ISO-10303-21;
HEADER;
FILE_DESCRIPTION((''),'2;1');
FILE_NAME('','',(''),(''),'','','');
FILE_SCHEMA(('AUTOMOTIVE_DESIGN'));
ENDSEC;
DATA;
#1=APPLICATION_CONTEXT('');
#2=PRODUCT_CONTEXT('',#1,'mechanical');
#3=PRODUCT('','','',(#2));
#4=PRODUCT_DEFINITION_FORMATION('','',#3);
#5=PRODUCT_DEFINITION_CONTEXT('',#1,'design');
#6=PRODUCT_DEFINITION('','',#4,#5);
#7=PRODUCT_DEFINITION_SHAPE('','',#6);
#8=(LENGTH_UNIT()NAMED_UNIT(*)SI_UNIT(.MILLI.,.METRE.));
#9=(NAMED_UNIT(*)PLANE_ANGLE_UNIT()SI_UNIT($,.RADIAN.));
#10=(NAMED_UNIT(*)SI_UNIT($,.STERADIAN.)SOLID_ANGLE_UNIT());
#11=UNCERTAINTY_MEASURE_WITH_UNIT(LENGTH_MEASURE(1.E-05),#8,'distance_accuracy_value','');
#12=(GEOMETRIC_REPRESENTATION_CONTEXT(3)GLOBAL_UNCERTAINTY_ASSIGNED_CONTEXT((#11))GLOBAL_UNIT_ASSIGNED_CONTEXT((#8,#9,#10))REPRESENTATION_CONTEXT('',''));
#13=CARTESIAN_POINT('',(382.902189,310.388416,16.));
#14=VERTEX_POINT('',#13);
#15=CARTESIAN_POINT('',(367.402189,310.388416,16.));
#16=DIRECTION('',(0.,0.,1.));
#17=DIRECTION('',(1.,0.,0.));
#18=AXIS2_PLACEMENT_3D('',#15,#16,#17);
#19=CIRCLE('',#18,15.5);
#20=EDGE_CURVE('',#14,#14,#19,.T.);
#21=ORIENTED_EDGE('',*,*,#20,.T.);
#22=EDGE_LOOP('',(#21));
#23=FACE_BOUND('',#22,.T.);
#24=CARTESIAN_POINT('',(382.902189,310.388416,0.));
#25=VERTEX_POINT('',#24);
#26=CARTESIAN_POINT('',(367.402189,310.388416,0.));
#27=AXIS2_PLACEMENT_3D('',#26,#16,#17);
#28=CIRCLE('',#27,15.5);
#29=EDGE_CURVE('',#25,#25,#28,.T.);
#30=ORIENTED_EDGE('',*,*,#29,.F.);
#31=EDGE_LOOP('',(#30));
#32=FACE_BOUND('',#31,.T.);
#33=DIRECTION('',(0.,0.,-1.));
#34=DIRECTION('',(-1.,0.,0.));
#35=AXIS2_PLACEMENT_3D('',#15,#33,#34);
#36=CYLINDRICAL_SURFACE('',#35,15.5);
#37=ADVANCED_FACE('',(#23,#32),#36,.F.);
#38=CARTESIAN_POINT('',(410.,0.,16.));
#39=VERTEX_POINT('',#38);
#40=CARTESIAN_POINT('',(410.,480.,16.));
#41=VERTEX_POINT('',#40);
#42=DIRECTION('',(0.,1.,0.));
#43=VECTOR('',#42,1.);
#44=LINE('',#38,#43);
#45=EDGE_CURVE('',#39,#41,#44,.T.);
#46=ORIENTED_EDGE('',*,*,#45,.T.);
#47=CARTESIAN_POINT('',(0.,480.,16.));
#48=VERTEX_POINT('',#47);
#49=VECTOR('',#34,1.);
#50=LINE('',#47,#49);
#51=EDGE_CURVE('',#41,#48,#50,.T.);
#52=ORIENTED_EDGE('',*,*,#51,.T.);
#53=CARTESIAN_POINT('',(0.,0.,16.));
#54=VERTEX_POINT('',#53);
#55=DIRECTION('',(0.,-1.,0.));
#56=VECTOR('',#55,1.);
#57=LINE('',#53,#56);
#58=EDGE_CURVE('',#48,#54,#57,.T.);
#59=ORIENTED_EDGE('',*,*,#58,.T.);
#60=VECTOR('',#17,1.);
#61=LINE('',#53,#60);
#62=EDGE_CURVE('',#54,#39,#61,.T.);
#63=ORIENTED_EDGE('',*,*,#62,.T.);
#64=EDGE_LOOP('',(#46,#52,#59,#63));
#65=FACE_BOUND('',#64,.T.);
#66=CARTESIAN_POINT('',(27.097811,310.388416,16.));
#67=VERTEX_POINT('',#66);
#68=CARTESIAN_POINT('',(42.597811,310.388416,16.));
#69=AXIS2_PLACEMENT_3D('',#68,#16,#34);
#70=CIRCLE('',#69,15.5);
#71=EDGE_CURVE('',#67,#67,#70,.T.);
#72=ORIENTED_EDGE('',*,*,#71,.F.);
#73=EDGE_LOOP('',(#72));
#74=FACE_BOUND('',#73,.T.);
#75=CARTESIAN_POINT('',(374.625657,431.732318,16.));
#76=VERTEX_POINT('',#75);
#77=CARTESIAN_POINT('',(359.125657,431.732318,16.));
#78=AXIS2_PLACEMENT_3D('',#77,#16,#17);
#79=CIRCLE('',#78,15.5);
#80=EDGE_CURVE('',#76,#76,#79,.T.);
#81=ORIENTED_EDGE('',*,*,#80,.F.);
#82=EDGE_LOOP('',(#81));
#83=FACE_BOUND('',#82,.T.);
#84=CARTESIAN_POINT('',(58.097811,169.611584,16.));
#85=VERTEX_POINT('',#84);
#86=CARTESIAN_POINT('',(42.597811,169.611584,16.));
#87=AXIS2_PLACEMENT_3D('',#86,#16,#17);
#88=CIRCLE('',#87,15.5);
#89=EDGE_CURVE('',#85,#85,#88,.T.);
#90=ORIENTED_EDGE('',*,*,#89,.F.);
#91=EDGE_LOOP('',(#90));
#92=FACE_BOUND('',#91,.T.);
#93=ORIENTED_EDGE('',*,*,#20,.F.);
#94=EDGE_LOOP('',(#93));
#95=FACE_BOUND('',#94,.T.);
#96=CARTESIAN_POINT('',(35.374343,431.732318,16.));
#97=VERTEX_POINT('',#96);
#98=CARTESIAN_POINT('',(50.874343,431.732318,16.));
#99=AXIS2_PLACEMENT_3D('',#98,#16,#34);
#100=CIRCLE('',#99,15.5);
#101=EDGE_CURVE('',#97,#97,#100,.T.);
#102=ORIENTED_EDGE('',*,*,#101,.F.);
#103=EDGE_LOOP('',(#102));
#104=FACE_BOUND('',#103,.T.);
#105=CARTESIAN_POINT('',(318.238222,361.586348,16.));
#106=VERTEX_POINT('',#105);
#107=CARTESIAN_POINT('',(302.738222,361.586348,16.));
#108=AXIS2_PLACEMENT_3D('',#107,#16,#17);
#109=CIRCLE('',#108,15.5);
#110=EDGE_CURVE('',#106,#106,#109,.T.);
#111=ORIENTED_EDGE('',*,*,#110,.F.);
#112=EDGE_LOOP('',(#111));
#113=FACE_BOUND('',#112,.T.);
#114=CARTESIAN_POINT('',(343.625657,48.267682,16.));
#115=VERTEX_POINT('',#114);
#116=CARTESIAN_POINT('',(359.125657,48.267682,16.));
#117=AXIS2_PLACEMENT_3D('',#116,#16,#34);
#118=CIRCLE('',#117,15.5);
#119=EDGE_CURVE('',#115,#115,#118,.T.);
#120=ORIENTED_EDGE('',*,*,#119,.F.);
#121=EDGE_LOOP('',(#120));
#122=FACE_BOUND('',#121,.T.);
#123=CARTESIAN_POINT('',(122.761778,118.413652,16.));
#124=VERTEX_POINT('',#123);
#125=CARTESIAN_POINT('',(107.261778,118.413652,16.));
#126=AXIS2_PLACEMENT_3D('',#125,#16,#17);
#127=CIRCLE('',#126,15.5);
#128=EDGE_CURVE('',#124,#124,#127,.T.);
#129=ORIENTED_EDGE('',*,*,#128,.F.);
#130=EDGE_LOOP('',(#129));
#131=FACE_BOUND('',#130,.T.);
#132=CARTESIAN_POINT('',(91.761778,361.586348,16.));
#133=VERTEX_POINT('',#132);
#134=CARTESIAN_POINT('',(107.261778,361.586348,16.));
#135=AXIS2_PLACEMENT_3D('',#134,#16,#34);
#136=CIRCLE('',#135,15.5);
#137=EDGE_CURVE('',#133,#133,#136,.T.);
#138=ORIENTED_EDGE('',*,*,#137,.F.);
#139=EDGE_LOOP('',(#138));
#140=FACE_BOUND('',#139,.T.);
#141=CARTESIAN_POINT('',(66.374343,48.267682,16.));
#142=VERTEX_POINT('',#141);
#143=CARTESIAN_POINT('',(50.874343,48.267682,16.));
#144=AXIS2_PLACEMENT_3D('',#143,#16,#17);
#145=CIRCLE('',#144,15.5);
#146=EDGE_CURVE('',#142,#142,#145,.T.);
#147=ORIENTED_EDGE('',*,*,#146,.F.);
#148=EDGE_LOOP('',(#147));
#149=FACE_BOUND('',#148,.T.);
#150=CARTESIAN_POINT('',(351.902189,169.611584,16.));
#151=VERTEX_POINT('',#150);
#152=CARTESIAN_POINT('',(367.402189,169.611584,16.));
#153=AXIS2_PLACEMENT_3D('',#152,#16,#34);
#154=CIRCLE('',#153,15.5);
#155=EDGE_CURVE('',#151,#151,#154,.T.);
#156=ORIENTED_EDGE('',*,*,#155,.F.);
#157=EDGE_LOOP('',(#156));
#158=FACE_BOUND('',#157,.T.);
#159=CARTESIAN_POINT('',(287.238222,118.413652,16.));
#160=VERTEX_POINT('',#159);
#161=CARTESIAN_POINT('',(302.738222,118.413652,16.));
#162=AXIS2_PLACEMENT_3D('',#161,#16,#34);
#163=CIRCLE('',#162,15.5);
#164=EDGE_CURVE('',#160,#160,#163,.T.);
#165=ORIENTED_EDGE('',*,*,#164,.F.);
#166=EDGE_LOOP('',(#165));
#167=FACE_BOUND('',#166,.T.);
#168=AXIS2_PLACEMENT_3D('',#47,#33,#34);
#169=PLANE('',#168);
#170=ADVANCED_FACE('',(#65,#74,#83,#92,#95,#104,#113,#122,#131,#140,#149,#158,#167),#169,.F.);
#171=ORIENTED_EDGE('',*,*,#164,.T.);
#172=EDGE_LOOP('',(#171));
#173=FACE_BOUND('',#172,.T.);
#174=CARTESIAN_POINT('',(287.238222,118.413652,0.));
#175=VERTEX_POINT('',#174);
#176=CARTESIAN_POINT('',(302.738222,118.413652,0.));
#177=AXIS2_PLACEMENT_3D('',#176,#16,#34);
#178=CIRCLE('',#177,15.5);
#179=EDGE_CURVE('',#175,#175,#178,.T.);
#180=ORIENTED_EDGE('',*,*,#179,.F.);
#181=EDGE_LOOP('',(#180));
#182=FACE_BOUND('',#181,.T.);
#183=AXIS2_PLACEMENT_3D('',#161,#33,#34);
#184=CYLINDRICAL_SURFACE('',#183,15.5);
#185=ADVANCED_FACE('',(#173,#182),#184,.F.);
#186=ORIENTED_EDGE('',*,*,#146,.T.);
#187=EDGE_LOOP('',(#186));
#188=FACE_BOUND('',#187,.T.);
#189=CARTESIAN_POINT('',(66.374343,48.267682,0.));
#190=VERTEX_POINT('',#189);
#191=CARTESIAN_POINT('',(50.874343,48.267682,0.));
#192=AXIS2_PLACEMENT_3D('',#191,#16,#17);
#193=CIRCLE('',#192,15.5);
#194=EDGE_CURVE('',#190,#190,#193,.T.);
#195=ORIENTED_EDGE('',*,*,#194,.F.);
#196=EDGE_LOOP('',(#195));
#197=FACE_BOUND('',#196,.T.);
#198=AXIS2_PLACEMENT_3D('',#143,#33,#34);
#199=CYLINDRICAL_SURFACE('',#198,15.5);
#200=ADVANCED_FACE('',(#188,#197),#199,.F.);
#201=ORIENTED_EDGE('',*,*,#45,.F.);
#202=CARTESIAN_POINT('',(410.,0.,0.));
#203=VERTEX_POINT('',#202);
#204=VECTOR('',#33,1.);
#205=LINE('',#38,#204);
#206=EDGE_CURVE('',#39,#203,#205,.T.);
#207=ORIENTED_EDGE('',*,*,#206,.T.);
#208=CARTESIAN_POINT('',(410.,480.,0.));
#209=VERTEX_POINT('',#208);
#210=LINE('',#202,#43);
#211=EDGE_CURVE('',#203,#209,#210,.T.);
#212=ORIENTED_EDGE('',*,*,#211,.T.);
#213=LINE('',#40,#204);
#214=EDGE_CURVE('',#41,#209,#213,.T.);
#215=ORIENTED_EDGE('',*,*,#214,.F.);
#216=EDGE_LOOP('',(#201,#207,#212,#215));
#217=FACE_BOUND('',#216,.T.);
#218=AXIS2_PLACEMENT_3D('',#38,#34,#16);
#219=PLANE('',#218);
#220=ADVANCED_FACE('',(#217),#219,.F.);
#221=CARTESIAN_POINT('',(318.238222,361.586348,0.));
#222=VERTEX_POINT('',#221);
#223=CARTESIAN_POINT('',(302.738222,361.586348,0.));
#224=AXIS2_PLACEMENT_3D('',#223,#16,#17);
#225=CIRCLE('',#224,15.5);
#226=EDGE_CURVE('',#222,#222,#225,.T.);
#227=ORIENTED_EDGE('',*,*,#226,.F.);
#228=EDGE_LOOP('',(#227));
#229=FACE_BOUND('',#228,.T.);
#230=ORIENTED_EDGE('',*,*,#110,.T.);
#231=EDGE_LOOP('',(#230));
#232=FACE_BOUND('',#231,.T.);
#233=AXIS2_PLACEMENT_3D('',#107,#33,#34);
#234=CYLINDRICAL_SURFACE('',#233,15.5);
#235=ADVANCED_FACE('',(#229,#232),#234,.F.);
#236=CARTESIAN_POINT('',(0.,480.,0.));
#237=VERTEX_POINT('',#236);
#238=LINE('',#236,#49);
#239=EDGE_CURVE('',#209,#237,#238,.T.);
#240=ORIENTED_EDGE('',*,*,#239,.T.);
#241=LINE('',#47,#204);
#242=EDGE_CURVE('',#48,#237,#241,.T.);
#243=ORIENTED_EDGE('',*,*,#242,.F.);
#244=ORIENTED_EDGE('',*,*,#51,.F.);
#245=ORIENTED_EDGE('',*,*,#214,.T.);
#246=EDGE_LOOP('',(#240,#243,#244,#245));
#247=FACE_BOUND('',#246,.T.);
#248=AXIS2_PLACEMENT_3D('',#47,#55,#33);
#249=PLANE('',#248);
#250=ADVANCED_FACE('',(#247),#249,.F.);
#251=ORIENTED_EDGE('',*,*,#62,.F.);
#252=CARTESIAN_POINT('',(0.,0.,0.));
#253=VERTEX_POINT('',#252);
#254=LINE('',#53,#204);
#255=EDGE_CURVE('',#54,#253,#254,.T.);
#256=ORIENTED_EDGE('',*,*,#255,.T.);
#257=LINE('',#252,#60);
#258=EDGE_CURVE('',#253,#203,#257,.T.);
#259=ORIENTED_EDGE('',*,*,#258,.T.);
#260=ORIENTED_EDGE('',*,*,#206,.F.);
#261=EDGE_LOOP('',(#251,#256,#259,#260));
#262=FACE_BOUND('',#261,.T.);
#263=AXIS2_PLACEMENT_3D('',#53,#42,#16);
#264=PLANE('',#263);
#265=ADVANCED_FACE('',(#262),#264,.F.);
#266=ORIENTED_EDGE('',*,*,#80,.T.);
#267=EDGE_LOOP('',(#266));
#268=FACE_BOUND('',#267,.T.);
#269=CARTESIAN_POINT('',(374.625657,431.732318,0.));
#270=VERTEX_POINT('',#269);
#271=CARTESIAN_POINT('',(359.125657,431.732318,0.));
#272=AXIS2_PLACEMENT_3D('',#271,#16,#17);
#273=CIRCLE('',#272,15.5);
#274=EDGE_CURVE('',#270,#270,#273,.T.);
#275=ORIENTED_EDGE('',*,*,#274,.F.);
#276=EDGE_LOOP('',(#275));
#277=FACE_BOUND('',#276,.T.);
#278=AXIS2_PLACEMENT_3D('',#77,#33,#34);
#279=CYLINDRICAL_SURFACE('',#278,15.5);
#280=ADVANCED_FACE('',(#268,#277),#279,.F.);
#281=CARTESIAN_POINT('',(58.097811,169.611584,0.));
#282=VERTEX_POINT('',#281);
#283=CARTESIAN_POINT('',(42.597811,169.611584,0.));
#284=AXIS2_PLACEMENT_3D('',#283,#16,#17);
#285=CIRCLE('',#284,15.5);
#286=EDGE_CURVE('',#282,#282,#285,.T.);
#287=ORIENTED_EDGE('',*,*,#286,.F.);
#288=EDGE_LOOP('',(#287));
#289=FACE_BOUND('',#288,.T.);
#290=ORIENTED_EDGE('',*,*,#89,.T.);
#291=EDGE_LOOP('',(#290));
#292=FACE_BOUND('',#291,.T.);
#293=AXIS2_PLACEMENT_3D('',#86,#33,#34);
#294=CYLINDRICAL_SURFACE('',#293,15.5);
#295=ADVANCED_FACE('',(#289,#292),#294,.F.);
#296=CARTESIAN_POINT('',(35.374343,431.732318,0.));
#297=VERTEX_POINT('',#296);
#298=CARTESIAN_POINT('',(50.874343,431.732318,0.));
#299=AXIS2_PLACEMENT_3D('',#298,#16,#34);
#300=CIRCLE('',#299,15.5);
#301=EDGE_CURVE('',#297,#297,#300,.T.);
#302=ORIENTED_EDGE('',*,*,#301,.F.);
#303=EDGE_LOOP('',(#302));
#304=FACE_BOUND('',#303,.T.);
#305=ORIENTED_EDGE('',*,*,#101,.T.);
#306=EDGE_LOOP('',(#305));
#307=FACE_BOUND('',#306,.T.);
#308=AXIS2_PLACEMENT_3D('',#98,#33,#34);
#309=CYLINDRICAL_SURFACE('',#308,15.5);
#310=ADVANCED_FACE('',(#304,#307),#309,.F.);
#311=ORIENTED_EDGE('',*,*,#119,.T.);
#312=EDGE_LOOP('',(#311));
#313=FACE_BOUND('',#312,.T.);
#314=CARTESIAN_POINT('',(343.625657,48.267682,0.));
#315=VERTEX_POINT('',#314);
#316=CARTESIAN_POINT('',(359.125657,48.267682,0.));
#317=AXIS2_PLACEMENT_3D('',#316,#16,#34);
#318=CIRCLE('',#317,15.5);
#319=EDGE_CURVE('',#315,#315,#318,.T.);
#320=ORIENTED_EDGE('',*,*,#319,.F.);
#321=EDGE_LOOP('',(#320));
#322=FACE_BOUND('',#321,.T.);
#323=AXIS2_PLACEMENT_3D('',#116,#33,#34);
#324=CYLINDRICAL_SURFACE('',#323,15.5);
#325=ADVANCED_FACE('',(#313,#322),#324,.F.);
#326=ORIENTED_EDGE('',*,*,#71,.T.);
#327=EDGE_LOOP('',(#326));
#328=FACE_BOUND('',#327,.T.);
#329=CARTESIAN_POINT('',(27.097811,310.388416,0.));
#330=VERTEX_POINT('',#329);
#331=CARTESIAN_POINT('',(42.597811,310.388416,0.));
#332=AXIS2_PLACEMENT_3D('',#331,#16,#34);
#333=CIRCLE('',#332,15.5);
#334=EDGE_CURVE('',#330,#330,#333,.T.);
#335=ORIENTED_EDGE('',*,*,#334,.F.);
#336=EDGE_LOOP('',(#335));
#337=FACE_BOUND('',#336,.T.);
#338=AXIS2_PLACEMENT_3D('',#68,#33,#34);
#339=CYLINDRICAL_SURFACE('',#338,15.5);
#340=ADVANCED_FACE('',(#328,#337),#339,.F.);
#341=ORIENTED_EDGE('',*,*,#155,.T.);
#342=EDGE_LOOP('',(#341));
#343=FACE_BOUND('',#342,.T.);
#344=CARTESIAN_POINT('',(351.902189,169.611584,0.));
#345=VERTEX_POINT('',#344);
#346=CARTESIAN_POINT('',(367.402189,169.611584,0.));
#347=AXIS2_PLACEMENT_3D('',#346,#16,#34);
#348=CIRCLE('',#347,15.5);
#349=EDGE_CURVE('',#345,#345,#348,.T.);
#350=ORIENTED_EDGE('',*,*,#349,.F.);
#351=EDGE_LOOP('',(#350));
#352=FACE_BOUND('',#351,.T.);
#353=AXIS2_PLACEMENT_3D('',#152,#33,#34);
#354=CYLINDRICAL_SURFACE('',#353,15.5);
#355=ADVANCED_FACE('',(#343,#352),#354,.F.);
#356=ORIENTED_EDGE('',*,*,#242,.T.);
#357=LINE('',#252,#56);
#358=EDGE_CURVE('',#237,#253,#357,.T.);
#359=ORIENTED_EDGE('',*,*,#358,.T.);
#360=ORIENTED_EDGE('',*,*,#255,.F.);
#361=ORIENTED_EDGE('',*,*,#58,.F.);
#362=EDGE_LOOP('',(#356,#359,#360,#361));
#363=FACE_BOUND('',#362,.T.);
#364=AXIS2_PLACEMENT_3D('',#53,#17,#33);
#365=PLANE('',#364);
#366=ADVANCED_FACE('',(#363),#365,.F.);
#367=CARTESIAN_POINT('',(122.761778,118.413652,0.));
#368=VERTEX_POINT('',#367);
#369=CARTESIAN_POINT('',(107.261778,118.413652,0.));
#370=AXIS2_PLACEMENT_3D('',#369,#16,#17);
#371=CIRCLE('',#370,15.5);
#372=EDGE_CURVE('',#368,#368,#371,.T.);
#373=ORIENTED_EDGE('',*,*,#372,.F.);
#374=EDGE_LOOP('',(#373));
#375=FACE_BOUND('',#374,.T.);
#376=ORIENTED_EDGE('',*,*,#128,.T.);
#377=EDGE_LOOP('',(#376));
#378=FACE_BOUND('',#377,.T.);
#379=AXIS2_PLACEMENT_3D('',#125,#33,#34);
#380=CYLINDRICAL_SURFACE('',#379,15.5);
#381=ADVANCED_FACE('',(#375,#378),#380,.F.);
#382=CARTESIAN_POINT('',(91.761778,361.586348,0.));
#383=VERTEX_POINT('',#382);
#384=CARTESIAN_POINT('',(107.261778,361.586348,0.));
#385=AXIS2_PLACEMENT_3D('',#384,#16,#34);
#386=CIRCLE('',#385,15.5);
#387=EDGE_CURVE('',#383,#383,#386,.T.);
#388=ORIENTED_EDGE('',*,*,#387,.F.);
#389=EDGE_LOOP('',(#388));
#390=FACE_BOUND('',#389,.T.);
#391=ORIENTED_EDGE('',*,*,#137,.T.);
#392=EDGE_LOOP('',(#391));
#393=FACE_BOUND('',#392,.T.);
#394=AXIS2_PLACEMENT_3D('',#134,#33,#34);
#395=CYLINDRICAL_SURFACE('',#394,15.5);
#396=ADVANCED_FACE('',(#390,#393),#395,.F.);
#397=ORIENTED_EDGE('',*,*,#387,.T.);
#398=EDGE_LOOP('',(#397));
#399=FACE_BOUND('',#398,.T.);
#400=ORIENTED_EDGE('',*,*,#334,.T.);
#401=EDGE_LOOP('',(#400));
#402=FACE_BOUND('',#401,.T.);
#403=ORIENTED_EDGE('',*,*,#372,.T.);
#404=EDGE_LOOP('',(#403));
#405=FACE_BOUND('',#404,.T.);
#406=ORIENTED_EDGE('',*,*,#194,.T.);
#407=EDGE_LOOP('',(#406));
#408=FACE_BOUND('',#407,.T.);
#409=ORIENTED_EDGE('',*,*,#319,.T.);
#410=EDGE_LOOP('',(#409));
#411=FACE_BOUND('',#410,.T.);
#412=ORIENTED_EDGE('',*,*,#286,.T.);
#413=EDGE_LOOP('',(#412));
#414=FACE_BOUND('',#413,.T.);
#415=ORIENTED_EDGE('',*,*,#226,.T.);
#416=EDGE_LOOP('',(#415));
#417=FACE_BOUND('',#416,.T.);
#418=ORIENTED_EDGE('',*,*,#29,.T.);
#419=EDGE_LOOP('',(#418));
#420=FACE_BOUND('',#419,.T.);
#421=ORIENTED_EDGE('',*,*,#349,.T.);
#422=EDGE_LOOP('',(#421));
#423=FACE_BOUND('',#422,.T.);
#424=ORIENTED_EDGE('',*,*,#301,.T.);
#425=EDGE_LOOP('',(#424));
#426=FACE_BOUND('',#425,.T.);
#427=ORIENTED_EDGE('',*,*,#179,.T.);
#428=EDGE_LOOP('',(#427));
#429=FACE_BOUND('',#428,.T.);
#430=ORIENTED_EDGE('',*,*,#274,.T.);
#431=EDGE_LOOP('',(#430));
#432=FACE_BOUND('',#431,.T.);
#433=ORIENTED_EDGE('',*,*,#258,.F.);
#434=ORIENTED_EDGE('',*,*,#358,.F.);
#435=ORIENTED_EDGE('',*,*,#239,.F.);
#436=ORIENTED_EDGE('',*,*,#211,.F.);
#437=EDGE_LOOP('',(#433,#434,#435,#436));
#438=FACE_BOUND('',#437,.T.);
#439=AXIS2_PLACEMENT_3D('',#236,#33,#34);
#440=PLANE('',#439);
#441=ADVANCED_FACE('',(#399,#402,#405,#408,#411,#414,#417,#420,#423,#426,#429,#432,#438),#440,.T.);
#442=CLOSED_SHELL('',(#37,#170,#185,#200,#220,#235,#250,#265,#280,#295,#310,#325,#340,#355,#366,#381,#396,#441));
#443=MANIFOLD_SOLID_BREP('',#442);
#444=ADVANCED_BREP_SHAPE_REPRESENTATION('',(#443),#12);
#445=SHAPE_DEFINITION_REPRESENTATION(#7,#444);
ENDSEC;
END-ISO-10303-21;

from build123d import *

# Parameters (mm, degrees)
SKETCH1_W      = 410
SKETCH1_H      = 480
SKETCH1_R      = 15.5
EXTRUDE1_DEPTH = 16


with BuildPart() as part:
    # Sketch1 → Extrude1 (new body)
    with BuildSketch(Plane.XY):
        with Locations((205, 240)):
            Rectangle(SKETCH1_W, SKETCH1_H)
        with Locations((367.4021887, 310.38841599)):
            Circle(SKETCH1_R, mode=Mode.SUBTRACT)
        with Locations((107.261778202, 118.413652083)):
            Circle(SKETCH1_R, mode=Mode.SUBTRACT)
        with Locations((50.874342549, 48.267682131)):
            Circle(SKETCH1_R, mode=Mode.SUBTRACT)
        with Locations(Location((42.5978113, 310.38841599, 0), (0, 0, 180))):
            Circle(SKETCH1_R, mode=Mode.SUBTRACT)
        with Locations(Location((359.125657451, 48.267682131, 0), (0, 0, 180))):
            Circle(SKETCH1_R, mode=Mode.SUBTRACT)
        with Locations(Location((302.738221798, 118.413652083, 0), (0, 0, 180))):
            Circle(SKETCH1_R, mode=Mode.SUBTRACT)
        with Locations(Location((367.4021887, 169.61158401, 0), (0, 0, 180))):
            Circle(SKETCH1_R, mode=Mode.SUBTRACT)
        with Locations(Location((50.874342549, 431.732317869, 0), (0, 0, 180))):
            Circle(SKETCH1_R, mode=Mode.SUBTRACT)
        with Locations(Location((107.261778202, 361.586347917, 0), (0, 0, 180))):
            Circle(SKETCH1_R, mode=Mode.SUBTRACT)
        with Locations((42.5978113, 169.61158401)):
            Circle(SKETCH1_R, mode=Mode.SUBTRACT)
        with Locations((302.738221798, 361.586347917)):
            Circle(SKETCH1_R, mode=Mode.SUBTRACT)
        with Locations((359.125657451, 431.732317869)):
            Circle(SKETCH1_R, mode=Mode.SUBTRACT)
    extrude(amount=EXTRUDE1_DEPTH)


solid = part.part
